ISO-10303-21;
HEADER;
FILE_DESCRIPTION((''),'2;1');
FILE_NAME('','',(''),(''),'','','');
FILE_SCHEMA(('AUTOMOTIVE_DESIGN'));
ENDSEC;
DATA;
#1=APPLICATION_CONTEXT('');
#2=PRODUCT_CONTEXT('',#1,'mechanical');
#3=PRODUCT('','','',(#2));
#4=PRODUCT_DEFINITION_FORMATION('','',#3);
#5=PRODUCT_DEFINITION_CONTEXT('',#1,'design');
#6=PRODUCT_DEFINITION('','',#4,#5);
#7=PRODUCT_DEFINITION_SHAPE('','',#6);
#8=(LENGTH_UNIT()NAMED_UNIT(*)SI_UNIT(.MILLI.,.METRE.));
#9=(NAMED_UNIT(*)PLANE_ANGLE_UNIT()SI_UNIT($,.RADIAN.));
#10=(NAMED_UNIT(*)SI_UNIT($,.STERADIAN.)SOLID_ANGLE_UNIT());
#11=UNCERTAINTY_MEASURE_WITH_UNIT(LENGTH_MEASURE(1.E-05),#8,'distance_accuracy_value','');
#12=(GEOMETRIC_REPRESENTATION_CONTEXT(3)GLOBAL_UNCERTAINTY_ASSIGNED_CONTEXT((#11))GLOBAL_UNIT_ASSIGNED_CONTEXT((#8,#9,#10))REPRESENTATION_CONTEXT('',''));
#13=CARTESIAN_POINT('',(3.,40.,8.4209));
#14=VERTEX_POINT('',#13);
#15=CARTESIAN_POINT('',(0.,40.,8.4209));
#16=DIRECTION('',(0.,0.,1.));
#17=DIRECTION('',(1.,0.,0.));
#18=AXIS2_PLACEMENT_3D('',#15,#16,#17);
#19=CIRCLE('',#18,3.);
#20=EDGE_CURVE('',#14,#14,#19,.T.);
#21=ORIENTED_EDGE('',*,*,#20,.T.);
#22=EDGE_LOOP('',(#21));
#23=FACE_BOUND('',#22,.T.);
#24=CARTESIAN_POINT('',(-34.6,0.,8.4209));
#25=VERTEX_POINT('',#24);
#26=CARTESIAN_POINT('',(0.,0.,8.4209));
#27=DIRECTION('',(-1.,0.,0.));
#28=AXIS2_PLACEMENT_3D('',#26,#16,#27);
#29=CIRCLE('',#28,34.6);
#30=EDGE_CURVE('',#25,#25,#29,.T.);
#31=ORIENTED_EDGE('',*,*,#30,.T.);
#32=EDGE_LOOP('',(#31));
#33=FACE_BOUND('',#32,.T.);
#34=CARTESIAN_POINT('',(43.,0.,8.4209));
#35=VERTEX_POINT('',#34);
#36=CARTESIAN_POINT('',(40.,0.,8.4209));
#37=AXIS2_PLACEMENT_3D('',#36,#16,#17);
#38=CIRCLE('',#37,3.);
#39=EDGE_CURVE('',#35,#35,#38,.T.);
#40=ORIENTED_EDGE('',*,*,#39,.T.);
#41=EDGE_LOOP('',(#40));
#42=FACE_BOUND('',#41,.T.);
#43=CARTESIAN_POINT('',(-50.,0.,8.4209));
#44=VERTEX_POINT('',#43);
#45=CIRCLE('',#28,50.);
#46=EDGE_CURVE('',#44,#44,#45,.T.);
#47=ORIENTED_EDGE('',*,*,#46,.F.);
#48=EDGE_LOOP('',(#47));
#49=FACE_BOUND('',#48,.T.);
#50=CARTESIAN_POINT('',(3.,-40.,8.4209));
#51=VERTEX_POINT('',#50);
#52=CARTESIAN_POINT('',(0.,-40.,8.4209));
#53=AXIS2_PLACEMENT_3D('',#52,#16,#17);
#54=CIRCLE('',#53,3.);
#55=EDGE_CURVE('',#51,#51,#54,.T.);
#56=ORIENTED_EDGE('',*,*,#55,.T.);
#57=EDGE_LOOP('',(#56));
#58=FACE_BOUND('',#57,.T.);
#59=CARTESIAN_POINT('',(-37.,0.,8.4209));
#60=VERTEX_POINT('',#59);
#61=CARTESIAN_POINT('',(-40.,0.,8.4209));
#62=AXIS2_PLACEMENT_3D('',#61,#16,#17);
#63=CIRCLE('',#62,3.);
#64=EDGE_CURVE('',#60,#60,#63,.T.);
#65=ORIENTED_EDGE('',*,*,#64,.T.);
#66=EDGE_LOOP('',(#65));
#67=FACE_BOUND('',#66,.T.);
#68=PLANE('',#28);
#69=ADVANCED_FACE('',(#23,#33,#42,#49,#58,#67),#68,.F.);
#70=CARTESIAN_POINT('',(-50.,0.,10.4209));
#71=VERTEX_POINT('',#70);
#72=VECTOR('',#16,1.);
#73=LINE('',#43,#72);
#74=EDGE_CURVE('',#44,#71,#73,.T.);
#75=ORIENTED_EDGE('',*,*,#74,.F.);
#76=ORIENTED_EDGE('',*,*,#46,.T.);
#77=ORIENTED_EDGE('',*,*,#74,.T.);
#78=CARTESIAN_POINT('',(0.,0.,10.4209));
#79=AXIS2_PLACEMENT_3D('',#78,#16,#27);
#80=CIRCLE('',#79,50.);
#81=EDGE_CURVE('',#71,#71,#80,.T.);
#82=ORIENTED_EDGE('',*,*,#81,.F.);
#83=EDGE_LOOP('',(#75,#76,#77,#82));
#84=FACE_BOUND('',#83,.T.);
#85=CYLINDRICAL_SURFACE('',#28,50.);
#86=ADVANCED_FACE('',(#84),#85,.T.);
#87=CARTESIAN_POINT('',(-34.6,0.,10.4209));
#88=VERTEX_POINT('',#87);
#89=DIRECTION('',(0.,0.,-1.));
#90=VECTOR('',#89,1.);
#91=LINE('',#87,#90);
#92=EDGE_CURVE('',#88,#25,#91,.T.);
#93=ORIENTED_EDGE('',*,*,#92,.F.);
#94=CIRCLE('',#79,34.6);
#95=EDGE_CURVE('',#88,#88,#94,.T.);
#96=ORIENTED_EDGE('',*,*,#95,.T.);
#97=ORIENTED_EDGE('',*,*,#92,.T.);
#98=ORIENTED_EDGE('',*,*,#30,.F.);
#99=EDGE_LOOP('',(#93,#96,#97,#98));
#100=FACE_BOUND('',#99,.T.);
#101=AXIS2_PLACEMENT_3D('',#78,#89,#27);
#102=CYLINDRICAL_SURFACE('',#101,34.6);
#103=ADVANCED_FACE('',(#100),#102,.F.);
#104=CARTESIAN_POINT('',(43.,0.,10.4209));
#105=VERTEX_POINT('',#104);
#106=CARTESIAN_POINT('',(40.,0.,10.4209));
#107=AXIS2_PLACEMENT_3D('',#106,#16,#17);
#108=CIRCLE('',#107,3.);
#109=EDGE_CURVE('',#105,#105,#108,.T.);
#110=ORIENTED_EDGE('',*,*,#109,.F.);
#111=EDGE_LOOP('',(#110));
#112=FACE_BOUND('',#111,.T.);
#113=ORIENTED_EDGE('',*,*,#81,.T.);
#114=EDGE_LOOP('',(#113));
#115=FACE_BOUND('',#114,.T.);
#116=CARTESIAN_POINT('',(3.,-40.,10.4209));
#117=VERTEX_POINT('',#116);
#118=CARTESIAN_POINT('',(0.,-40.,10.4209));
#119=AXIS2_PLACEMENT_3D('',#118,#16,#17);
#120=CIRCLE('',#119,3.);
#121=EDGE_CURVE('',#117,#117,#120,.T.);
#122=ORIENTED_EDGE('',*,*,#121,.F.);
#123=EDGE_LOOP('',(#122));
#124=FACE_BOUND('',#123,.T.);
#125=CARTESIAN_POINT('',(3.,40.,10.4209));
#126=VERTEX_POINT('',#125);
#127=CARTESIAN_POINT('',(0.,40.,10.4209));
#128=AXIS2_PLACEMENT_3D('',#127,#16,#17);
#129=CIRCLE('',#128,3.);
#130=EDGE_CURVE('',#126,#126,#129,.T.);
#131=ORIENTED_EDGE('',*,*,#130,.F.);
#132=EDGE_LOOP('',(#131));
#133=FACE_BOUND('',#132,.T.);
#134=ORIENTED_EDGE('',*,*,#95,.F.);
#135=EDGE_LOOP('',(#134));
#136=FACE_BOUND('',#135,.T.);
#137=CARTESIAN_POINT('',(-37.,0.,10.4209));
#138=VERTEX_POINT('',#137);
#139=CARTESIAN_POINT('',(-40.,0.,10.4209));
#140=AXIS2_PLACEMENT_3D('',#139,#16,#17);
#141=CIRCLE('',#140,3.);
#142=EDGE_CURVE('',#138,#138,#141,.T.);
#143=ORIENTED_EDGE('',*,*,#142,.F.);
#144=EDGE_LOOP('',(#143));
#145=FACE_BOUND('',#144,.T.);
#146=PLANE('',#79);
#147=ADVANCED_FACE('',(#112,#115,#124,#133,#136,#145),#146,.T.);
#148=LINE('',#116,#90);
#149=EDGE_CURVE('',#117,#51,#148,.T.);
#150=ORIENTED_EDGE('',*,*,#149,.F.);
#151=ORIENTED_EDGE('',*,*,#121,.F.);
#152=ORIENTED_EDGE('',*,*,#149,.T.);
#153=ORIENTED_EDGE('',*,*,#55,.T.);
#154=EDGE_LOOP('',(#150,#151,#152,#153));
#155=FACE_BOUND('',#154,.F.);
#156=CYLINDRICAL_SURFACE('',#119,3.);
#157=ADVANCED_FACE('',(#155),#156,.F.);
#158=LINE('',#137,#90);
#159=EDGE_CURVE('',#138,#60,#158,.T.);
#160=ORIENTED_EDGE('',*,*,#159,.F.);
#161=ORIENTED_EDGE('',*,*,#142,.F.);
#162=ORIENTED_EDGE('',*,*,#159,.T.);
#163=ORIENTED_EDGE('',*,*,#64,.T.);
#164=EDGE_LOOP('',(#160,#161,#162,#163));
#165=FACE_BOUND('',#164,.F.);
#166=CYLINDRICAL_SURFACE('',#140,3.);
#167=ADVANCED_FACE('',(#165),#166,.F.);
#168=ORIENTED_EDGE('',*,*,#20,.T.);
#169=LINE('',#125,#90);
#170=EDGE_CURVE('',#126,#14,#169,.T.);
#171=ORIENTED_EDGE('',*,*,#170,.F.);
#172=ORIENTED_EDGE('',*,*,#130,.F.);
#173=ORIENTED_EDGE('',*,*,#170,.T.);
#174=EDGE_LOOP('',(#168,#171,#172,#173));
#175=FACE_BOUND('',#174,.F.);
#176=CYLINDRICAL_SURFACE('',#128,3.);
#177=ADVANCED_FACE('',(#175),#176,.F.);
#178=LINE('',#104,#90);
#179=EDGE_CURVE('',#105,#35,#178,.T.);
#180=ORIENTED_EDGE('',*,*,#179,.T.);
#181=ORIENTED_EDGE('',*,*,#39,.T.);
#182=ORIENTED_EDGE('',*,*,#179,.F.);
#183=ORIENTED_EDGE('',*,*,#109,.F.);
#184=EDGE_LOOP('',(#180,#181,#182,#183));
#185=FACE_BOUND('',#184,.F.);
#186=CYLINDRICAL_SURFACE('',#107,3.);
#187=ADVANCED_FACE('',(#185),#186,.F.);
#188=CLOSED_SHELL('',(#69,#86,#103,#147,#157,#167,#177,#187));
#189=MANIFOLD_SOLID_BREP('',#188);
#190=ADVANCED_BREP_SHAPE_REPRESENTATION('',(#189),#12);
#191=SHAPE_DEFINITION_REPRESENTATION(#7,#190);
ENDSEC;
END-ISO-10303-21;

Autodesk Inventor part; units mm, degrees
ref_plane "YZ Plane" through (0, 0, 0) normal (1, 0, 0) x (0, 1, 0)
ref_plane "XZ Plane" through (0, 0, 0) normal (0, 1, 0) x (-1, 0, 0)
ref_plane "XY Plane" through (0, 0, 0) normal (0, 0, 1) x (1, 0, 0)
sketch "Szkic1" plane through (0, 0, 0) normal (0, 1, 0) x (-1, 0, 0)
  line L0 (34.6, 10.4209) -> (34.6, 8.4209)
  line L1 (34.6, 8.4209) -> (50, 8.4209)
  line L2 (50, 8.4209) -> (50, 10.4209)
  line L3 (50, 10.4209) -> (34.6, 10.4209)
  line L4 (0, 0) -> (0, 76.2035)
  dimension "d0" = 15.4
  dimension "d1" = 2
  dimension "d2" = 34.6
revolve "Obrót1" add sketch "Szkic1" angle 360 about axis through (0, 0, 0) along (0, 0, 1)
sketch "Szkic5" plane through (0, 0, 10.4209) normal (0, 0, 1) x (1, 0, 0)
  circle A0 centre (0, 40) radius 3
  circle A1 centre (40, 0) radius 3
  circle A2 centre (0, -40) radius 3
  circle A3 centre (-40, 0) radius 3
  point P0 (0, 0)
  dimension "d16" = 6
  dimension "d17" = 6
  dimension "d18" = 6
  dimension "d19" = 6
extrude "Wyciągnięcie proste3" cut sketch "Szkic5" against normal blind 2
properties part number "uszczelka" material "Poliwęglan dymiony"
